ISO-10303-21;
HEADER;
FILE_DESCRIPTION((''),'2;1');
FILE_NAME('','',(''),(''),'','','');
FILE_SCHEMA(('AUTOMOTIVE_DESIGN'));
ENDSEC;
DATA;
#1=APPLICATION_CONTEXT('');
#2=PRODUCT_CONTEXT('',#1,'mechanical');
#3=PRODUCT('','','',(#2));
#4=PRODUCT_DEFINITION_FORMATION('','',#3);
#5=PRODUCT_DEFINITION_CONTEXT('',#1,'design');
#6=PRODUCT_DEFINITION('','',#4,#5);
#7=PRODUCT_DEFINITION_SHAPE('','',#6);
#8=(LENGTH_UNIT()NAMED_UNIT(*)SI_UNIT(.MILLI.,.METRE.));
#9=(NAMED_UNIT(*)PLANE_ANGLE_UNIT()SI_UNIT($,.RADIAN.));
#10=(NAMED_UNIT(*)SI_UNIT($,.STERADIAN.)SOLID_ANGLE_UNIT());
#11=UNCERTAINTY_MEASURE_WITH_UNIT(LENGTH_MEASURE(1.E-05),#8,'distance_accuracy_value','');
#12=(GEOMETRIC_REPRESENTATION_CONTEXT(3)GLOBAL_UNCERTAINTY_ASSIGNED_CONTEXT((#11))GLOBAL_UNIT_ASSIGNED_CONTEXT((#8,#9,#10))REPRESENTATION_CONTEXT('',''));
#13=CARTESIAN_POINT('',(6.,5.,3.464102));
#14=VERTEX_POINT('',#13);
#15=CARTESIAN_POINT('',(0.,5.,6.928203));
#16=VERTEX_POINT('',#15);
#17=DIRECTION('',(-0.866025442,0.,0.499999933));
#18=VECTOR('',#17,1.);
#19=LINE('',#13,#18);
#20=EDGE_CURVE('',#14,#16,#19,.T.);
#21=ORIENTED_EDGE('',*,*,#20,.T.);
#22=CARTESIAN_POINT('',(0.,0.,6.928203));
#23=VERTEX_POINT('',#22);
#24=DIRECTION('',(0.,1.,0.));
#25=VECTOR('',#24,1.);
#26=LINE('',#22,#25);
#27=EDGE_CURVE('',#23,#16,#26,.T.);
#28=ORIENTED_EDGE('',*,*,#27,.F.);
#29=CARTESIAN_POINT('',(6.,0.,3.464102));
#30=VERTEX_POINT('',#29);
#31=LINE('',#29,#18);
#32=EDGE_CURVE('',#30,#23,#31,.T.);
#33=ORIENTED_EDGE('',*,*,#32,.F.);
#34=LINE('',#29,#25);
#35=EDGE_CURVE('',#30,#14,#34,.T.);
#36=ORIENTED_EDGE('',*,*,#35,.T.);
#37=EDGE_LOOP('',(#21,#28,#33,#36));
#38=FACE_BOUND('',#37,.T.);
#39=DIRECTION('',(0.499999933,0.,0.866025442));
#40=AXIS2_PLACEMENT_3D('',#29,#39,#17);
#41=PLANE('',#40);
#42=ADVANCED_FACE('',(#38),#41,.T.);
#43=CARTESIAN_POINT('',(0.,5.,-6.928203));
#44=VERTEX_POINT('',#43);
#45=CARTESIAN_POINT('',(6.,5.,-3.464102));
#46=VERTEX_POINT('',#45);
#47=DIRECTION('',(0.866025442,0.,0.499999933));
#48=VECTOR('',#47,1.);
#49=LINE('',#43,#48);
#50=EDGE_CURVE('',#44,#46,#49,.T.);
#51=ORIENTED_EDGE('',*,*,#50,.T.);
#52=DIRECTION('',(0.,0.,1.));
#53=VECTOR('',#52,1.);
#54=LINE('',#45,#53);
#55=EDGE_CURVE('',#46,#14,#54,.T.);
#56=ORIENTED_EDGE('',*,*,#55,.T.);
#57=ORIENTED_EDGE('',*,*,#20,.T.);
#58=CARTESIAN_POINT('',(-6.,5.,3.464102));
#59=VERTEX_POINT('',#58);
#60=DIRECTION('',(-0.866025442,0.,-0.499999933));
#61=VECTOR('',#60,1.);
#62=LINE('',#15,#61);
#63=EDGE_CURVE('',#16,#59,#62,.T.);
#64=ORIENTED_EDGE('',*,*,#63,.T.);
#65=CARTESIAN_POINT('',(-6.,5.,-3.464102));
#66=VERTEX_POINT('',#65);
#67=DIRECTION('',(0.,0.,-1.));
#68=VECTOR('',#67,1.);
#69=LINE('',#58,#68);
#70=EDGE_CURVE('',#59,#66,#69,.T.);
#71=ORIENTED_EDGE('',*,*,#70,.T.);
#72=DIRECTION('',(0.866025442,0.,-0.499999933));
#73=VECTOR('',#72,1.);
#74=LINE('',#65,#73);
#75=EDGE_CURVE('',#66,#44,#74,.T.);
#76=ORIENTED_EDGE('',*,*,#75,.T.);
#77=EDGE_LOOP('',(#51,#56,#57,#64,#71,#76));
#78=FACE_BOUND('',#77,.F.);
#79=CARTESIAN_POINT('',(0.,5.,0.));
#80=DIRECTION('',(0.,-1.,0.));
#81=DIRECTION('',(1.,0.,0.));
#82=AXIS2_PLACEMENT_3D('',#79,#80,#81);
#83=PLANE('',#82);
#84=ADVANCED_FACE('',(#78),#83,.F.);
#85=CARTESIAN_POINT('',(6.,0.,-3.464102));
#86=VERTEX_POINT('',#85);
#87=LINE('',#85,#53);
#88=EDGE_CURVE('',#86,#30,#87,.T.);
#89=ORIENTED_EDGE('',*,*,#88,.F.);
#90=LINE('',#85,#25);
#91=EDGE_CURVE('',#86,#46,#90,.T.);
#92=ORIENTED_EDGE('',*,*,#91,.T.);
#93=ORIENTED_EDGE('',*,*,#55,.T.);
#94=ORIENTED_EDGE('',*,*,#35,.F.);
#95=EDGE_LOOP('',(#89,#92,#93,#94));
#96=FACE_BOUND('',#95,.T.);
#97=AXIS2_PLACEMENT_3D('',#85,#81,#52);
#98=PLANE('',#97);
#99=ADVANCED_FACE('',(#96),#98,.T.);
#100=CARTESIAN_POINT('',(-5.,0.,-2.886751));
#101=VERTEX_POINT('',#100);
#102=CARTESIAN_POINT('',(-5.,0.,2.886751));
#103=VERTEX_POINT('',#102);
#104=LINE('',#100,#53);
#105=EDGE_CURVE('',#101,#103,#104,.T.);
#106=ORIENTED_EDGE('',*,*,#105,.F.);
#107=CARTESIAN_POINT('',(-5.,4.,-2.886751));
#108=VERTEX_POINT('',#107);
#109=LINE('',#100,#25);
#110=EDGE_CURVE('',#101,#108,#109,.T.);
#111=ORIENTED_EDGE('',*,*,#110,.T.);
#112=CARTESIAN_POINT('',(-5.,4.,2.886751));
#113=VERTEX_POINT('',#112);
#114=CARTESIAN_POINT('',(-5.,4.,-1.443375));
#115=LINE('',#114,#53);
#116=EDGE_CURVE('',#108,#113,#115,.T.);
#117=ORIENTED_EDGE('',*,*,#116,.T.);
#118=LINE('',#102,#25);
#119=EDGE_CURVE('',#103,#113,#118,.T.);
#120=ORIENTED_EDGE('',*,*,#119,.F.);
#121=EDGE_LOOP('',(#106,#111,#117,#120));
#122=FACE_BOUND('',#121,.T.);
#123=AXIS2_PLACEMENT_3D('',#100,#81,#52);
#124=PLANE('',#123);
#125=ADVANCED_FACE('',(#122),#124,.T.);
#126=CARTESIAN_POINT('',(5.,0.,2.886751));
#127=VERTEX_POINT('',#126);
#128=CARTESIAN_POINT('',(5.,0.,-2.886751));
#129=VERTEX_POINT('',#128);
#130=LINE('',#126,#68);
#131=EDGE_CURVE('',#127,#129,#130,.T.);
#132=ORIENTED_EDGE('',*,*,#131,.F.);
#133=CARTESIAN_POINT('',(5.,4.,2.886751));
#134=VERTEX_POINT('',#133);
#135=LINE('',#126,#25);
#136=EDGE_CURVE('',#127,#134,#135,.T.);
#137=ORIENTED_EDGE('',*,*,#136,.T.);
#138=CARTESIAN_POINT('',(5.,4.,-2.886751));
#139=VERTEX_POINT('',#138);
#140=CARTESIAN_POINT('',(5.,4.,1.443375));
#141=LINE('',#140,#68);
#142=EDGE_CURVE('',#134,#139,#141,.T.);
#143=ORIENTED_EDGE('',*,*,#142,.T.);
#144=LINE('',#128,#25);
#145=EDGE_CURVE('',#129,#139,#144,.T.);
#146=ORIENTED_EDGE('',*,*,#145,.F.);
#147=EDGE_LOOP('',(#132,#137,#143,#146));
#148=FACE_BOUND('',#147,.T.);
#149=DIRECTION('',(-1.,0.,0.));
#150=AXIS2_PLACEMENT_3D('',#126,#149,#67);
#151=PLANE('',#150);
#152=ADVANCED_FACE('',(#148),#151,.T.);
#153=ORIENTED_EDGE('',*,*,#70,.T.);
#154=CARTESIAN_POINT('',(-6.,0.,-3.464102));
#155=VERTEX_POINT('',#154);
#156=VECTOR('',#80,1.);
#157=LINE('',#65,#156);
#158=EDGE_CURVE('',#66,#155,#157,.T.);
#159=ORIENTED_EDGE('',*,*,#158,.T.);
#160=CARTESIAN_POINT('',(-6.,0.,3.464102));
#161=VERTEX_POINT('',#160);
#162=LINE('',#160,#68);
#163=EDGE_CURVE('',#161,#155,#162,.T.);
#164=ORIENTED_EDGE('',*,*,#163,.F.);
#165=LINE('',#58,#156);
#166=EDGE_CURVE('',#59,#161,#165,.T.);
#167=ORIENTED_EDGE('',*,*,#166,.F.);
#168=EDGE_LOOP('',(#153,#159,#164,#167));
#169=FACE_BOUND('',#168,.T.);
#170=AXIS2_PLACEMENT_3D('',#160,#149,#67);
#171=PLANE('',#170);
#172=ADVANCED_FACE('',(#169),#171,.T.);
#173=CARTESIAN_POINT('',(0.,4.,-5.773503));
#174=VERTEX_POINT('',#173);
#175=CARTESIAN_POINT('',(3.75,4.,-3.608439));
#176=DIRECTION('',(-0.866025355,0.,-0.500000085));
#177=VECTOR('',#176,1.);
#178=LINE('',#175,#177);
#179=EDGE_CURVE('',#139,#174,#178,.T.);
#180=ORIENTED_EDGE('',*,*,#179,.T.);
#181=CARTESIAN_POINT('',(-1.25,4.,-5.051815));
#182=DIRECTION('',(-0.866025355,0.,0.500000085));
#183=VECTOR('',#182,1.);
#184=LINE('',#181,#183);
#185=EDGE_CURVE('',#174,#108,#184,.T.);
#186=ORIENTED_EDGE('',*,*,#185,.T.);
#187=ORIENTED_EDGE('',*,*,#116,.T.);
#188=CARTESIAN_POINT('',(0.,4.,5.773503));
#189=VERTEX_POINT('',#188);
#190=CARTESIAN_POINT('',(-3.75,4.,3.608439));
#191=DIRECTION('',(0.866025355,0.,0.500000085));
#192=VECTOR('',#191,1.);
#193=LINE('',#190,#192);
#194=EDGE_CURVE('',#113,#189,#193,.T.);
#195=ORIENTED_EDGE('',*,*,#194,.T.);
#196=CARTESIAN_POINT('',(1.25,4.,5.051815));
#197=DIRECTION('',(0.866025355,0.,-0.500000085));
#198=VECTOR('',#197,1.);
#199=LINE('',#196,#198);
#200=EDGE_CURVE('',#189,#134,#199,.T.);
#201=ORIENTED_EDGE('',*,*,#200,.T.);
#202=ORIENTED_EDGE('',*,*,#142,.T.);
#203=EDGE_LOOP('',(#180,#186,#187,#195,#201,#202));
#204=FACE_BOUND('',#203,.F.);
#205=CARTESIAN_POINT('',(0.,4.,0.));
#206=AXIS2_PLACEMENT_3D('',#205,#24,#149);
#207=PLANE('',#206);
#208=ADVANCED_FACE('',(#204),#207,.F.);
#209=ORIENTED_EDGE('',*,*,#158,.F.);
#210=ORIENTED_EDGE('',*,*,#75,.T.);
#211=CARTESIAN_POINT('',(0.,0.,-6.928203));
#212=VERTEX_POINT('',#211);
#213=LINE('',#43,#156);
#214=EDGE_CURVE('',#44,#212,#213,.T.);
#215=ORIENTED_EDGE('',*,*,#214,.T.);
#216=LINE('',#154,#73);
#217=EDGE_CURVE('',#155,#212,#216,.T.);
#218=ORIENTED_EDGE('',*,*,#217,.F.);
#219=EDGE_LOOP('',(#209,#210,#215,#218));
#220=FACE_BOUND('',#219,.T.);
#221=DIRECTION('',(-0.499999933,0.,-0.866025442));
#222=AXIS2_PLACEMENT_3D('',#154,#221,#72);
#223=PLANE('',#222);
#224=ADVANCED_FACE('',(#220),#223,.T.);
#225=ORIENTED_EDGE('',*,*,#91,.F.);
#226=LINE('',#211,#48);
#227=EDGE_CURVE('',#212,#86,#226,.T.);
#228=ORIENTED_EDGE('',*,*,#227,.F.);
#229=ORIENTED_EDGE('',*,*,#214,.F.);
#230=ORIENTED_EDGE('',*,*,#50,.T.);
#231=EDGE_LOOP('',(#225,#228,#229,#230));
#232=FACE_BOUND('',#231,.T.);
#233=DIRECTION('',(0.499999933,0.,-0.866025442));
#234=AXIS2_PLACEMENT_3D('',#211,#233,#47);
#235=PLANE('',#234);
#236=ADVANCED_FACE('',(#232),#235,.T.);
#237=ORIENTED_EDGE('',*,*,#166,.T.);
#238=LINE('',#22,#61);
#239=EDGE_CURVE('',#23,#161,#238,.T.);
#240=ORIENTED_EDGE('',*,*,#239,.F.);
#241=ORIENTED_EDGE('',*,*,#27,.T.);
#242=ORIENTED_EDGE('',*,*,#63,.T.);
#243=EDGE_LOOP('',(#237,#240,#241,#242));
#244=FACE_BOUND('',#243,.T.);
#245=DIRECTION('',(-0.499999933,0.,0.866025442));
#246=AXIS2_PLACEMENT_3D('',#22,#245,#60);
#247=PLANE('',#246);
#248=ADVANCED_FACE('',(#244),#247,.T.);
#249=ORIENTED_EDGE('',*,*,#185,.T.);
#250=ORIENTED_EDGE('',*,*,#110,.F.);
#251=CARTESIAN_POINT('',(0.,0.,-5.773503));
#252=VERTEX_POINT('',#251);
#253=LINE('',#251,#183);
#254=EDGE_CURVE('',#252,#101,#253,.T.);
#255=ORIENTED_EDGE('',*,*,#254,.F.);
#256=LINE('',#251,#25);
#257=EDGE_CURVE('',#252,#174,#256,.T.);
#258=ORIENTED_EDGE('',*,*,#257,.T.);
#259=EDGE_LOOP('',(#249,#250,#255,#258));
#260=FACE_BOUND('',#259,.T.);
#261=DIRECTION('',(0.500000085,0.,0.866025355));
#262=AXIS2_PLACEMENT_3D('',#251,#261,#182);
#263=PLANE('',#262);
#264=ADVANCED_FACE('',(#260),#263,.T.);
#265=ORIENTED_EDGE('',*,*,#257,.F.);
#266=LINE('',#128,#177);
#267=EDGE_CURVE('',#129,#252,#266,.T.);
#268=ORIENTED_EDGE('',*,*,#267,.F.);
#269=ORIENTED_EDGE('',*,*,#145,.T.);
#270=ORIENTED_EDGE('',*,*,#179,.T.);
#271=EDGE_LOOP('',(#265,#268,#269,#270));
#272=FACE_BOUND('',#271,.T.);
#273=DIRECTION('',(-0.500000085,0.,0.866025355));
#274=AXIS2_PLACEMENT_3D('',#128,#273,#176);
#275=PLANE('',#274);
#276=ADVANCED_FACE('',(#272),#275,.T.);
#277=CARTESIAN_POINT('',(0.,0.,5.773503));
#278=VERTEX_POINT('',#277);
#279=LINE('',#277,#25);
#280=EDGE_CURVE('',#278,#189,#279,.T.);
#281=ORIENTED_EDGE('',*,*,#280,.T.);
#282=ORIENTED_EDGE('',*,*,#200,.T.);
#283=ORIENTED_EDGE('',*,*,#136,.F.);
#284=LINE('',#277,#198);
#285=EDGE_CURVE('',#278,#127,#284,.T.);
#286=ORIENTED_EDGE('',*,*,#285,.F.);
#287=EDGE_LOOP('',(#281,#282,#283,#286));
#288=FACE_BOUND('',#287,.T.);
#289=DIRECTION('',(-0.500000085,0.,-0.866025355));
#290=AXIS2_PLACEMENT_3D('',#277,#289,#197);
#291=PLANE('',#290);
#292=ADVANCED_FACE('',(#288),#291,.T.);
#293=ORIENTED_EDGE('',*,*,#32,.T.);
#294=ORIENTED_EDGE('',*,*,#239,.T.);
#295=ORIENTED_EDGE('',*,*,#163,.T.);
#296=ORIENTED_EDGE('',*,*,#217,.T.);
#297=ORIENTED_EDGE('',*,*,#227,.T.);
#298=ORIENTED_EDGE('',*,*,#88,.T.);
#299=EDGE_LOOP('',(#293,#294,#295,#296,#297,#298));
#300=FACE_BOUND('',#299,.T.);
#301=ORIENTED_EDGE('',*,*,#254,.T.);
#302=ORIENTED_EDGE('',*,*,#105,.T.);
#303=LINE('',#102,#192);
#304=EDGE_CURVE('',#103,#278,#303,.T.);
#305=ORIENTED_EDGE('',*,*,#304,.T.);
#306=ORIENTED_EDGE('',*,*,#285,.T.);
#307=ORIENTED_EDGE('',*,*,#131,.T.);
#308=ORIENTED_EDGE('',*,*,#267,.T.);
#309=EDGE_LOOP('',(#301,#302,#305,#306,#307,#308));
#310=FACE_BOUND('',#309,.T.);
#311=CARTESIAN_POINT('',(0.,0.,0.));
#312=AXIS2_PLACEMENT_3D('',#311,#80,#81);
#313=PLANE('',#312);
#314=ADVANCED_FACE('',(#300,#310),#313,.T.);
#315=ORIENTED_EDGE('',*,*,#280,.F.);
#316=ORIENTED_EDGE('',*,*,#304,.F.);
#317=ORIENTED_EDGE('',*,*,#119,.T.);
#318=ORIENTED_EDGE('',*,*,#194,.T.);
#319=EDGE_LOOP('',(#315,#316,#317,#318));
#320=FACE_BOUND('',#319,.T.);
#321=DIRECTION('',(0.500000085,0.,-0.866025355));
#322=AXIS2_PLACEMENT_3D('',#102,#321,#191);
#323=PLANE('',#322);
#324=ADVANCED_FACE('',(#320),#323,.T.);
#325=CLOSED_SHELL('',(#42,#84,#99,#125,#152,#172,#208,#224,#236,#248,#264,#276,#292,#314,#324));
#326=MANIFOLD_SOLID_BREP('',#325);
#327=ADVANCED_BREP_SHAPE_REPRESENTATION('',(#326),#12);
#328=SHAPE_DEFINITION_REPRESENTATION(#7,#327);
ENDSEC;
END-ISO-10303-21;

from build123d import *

# Parameters (mm, degrees)
F1_DEPTH = 5
F3_DEPTH = 1


with BuildPart() as f1:
    # F0 (on Front) → F1 (new body)
    with BuildSketch(Plane.XZ):
        Polygon((0, 6.928203), (-6, 3.464102), (-6, -3.464102), (0, -6.928203), (6, -3.464102), (6, 3.464102), align=None)
        Polygon((0, -5.773503), (-5, -2.886751), (-5, 2.886751), (0, 5.773503), (5, 2.886751), (5, -2.886751), align=None, mode=Mode.SUBTRACT)
    extrude(amount=-F1_DEPTH)

    # F2 (on face) → F3 (join)
    with BuildSketch(Plane(origin=(0, 5, 0), x_dir=(-1, 0, 0), z_dir=(0, 1, 0))):
        Polygon((6, 3.464102), (0, 6.928203), (-6, 3.464102), (-6, -3.464102), (0, -6.928203), (6, -3.464102), align=None)
    extrude(amount=-F3_DEPTH)


solid = f1.part
